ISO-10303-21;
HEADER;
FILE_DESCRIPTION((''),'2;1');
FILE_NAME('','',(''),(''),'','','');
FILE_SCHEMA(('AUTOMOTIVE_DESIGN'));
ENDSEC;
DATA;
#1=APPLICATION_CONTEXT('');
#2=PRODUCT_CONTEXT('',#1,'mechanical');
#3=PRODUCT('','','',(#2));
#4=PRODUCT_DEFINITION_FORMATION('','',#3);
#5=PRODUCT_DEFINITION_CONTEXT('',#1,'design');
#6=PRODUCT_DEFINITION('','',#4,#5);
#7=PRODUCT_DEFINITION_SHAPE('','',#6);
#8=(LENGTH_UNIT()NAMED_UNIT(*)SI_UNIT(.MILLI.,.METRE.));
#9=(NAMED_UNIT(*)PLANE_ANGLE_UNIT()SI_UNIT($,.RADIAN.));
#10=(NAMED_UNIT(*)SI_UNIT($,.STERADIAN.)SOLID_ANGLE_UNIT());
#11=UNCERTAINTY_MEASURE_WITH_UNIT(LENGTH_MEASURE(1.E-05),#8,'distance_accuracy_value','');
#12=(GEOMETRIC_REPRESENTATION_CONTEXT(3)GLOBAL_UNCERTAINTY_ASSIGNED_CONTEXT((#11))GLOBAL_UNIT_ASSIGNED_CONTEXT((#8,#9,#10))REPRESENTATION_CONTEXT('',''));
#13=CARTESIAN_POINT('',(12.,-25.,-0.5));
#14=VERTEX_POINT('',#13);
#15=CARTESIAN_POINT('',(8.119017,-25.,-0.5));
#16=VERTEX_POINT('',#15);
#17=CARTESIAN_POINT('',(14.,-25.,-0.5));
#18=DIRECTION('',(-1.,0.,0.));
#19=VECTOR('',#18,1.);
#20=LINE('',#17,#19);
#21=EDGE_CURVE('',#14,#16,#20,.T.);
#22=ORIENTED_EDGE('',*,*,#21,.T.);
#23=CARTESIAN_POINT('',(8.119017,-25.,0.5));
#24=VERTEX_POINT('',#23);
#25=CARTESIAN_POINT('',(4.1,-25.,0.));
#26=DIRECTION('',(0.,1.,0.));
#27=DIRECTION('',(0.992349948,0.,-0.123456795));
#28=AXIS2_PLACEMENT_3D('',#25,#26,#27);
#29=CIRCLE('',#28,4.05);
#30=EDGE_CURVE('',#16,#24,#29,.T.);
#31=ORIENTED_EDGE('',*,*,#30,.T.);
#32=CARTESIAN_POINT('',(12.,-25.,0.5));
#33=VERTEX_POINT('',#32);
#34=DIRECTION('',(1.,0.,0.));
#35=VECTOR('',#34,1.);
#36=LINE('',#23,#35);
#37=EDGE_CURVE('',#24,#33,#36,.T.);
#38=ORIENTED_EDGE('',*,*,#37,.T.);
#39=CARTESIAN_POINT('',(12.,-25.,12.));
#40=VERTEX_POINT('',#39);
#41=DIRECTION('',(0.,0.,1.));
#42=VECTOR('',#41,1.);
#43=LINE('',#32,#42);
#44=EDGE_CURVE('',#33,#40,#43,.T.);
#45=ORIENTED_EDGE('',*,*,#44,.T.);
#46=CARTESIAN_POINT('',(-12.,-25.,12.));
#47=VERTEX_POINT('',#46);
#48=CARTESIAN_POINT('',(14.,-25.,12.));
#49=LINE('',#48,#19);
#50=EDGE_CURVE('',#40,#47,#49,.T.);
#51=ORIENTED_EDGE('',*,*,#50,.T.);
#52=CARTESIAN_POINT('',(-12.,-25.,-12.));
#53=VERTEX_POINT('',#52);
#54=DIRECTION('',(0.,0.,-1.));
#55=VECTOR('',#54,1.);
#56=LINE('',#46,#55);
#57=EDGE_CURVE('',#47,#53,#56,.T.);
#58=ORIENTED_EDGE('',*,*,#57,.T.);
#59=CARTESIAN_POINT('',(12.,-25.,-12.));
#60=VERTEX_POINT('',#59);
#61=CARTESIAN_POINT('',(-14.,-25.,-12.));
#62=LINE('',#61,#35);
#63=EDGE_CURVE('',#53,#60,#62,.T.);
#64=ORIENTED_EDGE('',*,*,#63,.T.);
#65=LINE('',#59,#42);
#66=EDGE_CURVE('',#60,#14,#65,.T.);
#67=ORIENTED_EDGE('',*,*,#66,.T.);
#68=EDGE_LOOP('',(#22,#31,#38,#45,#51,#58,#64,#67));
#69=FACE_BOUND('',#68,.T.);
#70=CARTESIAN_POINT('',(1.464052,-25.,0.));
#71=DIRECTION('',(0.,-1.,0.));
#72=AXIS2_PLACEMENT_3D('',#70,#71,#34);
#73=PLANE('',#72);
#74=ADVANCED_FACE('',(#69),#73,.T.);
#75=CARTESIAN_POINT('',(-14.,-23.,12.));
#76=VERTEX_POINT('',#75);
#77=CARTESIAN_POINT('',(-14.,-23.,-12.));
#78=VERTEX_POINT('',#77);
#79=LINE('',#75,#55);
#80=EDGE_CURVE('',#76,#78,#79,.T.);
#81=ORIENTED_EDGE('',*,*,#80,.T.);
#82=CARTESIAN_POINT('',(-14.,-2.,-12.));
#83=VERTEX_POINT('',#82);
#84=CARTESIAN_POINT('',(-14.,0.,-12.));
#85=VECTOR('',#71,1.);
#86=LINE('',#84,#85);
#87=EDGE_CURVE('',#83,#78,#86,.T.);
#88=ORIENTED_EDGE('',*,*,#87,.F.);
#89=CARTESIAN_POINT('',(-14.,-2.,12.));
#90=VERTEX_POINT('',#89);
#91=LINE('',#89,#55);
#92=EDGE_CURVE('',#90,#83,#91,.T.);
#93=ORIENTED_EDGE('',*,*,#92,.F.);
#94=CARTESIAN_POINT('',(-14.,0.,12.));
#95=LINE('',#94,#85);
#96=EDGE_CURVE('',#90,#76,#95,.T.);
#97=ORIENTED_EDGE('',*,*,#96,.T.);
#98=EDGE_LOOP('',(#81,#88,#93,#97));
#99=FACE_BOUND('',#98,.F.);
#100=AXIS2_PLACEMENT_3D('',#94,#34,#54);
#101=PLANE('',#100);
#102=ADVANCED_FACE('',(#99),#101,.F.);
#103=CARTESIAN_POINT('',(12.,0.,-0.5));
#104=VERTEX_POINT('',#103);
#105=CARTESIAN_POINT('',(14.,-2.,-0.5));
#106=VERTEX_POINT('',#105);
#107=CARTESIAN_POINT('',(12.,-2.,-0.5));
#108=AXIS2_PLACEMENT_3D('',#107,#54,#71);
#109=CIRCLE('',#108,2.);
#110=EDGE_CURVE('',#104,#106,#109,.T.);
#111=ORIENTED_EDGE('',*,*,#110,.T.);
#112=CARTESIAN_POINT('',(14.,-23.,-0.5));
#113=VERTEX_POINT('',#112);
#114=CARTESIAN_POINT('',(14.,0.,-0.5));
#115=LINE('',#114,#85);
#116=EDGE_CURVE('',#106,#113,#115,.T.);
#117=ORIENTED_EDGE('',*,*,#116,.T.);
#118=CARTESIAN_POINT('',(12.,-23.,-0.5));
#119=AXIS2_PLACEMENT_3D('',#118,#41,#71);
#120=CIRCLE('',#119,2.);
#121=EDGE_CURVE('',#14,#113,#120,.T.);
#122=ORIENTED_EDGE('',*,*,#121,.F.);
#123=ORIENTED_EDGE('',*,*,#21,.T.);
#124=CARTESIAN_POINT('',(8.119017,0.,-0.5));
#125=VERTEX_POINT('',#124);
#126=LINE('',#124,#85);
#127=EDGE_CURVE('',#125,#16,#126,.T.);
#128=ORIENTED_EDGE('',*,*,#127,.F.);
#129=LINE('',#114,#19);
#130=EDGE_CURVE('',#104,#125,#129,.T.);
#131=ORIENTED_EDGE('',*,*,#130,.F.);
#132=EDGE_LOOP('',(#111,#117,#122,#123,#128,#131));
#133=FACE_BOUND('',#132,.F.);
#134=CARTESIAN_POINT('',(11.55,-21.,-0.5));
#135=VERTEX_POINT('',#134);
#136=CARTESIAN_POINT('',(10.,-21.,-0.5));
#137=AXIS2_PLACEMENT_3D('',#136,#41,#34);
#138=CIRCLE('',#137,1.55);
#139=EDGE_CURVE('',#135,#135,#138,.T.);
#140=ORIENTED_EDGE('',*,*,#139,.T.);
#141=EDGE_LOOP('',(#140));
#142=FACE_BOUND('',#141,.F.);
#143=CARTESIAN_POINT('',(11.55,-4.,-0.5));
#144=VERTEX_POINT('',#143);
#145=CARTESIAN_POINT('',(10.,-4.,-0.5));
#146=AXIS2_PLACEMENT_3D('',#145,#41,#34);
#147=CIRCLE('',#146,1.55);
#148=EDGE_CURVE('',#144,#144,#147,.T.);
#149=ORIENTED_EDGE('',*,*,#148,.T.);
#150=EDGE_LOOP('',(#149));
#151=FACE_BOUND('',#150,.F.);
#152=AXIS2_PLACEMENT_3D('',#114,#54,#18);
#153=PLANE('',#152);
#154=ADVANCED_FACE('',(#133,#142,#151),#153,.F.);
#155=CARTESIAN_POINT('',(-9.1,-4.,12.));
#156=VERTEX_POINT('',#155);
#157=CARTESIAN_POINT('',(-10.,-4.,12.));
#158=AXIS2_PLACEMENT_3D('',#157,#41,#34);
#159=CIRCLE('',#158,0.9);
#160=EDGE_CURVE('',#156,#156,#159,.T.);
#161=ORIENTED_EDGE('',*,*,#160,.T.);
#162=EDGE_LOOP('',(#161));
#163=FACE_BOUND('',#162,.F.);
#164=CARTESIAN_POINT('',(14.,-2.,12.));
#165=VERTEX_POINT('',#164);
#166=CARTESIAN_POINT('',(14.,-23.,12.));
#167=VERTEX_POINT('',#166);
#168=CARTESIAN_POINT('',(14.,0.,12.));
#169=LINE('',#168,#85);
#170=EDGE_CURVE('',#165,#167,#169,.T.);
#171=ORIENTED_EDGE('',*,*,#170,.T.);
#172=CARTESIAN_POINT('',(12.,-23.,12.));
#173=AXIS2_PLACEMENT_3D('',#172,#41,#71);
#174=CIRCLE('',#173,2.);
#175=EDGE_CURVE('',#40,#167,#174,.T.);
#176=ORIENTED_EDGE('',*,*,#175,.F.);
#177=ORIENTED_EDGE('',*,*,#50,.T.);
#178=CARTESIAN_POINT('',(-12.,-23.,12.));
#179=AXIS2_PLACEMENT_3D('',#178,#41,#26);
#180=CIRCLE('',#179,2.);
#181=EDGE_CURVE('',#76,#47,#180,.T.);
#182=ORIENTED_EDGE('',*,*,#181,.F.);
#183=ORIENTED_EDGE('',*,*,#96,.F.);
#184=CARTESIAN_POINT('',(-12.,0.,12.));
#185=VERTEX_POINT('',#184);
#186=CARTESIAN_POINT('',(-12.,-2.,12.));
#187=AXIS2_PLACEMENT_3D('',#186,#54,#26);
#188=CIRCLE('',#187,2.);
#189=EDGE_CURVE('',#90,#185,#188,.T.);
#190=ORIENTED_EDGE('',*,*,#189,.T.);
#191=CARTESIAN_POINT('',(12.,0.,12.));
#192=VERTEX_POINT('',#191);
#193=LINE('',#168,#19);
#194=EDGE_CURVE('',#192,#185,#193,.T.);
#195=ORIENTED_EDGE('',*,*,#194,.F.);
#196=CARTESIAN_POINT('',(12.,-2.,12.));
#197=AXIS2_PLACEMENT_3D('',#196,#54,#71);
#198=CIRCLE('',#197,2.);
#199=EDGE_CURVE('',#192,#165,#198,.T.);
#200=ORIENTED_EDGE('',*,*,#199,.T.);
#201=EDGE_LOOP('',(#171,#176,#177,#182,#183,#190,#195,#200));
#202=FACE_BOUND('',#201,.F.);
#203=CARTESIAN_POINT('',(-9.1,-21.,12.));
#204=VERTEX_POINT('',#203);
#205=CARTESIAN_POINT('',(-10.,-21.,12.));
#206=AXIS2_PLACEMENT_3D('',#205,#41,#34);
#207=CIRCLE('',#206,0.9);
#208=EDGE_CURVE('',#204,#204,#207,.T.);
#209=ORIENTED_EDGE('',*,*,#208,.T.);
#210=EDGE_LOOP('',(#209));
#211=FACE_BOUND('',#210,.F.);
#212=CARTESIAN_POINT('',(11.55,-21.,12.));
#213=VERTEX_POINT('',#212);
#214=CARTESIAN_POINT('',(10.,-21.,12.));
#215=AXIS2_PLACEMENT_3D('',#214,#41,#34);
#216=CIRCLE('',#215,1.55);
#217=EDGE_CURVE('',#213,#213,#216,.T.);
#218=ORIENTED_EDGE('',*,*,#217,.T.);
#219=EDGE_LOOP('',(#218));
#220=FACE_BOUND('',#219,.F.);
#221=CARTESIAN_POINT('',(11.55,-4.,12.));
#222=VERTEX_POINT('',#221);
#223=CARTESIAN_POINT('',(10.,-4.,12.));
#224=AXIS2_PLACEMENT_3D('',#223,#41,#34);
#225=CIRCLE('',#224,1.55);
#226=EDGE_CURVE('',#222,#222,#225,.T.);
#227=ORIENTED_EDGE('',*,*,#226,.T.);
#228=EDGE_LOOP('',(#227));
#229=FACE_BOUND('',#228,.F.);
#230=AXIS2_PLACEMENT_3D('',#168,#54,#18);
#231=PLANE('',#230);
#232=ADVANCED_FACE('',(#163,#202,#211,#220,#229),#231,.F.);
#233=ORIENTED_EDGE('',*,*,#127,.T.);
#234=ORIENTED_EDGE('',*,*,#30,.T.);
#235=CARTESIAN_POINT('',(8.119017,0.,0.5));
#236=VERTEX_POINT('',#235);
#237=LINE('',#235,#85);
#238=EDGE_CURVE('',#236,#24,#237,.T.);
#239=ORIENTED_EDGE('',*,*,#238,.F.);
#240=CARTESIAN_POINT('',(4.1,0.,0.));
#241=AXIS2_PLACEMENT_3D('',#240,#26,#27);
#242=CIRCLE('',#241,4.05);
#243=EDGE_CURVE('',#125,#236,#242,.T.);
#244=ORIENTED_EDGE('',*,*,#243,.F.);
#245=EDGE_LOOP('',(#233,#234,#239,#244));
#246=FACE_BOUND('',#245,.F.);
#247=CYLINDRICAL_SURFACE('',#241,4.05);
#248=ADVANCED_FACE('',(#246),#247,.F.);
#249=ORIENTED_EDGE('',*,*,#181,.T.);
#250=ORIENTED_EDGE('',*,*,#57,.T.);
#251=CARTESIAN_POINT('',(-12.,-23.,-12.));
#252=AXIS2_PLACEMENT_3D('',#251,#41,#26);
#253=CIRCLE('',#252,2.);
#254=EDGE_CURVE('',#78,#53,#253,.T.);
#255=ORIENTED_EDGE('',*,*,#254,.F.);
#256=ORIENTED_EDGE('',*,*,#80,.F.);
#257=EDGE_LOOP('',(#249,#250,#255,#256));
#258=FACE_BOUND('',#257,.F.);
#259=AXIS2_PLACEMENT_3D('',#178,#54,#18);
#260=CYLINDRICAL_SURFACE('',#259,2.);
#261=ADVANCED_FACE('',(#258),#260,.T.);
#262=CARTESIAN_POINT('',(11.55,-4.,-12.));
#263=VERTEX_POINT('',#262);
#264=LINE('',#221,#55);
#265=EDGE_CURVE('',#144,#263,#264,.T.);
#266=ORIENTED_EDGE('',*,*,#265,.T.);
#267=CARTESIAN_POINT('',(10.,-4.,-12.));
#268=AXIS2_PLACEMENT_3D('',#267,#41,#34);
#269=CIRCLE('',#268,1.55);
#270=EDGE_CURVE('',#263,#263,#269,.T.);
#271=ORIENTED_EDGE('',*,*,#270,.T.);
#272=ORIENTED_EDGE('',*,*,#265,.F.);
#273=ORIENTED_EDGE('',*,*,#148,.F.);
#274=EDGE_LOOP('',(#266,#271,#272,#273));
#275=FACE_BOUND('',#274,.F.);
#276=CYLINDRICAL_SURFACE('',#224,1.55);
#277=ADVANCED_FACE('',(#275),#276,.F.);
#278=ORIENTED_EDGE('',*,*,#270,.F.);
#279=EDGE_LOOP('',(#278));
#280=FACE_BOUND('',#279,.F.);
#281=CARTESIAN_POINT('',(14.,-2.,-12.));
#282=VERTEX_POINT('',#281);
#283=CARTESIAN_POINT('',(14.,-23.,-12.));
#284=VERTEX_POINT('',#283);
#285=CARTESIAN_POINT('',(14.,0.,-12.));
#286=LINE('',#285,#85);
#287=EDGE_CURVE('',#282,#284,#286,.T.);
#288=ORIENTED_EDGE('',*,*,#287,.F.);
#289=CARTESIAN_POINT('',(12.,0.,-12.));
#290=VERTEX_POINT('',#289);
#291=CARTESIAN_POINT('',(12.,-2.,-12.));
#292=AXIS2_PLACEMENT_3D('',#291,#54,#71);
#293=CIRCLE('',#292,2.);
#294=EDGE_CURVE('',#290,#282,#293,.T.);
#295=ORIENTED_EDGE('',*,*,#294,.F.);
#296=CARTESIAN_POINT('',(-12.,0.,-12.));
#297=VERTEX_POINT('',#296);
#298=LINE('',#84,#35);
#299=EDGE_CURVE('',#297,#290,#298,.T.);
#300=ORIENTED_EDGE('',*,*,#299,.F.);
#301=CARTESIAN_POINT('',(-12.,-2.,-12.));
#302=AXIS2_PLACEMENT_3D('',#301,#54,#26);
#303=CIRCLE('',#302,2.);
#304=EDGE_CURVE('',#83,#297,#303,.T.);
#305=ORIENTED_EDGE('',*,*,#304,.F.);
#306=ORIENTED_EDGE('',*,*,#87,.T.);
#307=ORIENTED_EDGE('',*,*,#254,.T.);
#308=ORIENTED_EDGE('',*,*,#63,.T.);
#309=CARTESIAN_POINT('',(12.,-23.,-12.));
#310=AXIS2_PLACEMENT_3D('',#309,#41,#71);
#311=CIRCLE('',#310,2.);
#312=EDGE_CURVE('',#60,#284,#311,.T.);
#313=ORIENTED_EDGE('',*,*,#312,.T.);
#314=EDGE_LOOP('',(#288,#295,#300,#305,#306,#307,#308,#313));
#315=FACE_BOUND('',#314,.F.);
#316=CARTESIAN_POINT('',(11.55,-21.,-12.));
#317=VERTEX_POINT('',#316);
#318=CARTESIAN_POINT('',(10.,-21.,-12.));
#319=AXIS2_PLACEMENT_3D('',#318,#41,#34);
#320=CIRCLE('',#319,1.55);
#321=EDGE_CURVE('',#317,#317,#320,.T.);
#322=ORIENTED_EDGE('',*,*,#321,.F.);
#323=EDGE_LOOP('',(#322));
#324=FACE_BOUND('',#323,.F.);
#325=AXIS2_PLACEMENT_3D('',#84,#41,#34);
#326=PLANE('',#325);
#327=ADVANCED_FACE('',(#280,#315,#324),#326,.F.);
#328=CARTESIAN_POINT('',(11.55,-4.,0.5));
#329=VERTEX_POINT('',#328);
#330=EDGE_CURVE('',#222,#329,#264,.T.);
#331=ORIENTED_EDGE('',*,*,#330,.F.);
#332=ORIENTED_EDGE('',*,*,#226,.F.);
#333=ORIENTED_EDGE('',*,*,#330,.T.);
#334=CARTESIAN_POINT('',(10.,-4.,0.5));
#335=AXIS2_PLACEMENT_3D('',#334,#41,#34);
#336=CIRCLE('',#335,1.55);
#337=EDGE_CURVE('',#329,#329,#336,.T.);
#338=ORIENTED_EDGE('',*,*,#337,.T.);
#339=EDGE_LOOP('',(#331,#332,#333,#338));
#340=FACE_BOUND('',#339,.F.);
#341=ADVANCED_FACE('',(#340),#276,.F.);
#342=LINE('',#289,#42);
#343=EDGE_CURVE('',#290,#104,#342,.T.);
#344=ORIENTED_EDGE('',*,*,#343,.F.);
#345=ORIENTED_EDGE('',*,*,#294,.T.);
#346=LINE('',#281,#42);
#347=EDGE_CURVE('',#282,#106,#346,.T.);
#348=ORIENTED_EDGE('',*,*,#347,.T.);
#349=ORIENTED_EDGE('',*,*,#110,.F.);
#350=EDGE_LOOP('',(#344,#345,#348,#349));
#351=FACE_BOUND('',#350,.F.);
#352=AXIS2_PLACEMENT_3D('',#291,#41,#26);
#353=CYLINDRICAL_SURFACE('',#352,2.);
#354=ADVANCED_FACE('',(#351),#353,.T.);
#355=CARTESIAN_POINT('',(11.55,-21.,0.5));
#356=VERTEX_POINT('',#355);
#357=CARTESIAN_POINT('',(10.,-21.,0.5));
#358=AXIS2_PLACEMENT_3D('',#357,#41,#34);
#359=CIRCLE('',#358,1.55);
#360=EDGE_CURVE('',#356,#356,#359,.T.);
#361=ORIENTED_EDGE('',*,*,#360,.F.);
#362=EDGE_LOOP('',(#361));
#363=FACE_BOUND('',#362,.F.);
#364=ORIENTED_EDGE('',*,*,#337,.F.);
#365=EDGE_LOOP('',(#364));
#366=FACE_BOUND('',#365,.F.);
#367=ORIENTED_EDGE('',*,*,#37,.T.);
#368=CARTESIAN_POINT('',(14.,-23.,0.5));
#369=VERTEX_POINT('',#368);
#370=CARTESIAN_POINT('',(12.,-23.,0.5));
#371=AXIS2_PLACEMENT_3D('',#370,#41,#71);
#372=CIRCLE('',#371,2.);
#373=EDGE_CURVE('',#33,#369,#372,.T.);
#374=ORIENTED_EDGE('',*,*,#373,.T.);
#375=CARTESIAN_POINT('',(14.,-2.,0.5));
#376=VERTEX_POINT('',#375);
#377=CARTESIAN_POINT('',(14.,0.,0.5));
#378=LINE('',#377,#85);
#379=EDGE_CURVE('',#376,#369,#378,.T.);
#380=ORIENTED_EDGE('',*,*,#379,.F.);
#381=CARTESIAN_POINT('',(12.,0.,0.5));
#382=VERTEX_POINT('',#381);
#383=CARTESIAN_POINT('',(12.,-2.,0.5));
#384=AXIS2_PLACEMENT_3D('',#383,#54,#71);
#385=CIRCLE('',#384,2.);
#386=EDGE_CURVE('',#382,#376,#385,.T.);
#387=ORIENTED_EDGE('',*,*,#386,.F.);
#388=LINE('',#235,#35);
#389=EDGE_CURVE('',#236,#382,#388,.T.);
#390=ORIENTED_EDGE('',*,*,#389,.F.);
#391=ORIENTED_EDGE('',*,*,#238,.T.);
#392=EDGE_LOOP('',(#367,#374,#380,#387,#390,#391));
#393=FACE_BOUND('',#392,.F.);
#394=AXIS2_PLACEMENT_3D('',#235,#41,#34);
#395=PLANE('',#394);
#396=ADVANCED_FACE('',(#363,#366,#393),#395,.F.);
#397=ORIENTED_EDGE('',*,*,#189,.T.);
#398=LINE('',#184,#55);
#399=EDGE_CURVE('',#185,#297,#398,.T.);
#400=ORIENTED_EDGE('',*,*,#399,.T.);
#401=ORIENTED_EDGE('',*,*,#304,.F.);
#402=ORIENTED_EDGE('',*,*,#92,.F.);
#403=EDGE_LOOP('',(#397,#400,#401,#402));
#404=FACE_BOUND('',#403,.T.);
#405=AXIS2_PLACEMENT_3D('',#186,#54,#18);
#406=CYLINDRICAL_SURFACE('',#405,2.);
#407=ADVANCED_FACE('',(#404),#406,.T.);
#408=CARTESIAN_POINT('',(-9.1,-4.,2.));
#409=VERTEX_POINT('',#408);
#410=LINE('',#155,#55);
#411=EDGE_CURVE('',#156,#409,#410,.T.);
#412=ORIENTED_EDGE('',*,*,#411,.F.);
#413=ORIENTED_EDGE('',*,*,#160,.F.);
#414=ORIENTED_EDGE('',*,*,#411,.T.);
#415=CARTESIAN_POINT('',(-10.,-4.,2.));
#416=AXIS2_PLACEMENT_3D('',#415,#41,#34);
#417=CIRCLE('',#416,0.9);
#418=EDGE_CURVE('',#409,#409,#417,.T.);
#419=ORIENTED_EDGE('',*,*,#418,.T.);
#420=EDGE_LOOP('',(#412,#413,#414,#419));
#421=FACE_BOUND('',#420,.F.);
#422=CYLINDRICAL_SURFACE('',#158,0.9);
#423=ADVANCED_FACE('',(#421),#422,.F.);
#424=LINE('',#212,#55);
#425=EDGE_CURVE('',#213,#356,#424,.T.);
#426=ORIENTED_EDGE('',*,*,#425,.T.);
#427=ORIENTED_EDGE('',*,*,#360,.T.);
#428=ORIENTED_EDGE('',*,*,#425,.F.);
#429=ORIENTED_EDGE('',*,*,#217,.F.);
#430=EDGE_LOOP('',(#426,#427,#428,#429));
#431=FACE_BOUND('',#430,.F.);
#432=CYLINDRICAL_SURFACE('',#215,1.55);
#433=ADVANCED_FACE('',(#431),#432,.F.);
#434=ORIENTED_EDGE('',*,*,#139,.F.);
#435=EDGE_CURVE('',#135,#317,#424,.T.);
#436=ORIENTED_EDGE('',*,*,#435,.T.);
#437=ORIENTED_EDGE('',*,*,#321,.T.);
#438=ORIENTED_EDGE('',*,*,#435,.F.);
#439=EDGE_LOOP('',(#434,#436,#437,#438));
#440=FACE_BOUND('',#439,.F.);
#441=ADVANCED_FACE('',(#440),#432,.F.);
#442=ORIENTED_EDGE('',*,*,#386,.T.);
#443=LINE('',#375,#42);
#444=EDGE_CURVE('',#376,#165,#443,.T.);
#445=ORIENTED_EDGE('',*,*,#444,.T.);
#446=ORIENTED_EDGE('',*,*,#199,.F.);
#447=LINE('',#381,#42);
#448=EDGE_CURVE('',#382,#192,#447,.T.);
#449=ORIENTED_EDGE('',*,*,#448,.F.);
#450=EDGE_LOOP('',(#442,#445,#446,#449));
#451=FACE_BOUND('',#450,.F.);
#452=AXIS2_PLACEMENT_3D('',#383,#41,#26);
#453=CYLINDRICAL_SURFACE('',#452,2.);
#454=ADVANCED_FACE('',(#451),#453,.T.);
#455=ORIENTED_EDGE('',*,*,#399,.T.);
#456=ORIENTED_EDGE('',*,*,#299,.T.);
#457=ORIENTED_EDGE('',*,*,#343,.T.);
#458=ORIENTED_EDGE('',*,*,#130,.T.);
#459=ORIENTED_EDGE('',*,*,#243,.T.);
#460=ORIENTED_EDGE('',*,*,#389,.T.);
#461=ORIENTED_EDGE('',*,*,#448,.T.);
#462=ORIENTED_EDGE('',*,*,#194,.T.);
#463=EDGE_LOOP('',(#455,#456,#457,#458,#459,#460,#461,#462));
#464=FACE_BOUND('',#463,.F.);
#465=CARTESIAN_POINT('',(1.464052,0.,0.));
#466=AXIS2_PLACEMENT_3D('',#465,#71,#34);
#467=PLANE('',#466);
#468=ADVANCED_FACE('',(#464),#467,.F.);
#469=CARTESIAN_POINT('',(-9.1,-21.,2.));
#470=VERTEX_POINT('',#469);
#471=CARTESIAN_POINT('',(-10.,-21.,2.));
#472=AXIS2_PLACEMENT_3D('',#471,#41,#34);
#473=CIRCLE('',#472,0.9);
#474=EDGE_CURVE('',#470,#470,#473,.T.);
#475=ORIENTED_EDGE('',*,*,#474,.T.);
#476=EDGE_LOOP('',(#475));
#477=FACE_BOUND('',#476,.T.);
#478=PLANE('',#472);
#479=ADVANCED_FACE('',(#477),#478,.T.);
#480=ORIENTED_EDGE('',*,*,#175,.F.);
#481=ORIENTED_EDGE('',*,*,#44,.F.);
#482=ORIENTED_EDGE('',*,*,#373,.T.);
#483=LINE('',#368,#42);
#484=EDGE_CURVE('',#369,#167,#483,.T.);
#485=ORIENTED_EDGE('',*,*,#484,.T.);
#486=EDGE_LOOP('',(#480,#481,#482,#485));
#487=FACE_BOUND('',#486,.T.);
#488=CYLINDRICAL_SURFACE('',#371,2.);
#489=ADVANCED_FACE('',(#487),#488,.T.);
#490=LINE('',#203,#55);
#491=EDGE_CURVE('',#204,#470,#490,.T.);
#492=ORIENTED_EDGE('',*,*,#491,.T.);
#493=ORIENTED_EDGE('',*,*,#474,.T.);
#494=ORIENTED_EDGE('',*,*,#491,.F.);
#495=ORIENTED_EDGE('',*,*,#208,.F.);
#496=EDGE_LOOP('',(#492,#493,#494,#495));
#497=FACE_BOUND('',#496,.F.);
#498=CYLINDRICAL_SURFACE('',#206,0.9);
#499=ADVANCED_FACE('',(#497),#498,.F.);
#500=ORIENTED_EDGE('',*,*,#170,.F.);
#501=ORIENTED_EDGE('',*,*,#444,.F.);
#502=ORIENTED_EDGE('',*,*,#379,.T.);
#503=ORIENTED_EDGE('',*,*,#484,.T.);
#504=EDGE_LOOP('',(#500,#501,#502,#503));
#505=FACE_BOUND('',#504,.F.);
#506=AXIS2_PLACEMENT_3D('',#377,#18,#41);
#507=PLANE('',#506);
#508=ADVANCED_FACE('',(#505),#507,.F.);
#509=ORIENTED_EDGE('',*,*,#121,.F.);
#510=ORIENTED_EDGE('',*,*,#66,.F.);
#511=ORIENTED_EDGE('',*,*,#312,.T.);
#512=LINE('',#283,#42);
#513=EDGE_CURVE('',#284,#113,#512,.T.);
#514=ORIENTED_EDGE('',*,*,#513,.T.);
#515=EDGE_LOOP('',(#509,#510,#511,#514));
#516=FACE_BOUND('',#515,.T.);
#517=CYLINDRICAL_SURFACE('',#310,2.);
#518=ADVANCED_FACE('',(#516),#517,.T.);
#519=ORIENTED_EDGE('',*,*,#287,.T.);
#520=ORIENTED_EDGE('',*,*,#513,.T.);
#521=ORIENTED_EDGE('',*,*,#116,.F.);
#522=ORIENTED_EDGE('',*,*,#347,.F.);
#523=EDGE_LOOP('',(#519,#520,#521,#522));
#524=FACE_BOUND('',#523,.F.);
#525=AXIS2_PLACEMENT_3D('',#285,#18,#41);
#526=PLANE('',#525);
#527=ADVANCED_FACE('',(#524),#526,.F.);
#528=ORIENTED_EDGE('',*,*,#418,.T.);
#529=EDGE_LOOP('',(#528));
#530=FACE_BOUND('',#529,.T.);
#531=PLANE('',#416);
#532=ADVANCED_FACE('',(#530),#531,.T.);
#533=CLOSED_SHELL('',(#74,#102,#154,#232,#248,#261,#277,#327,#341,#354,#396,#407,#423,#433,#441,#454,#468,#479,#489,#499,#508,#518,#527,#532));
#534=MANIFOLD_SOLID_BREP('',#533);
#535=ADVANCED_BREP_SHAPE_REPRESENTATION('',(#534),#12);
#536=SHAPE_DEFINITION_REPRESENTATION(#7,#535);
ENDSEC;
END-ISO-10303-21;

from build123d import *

# Parameters (mm, degrees)
F1_DEPTH = 25
F2_R     = 0.9
F3_DEPTH = 10
F2_R_2   = 1.55
F4_DEPTH = 24.001
F5_R     = 2


with BuildPart() as f1:
    # F0 (on Front) → F1 (new body)
    with BuildSketch(Plane.XZ):
        with BuildLine():
            Line((-14, -12), (14, -12))
            Line((14, -12), (14, -0.5))
            Line((14, -0.5), (8.119017, -0.5))
            ThreePointArc((8.119017, -0.5), (0.05, 0), (8.119017, 0.5))
            Line((8.119017, 0.5), (14, 0.5))
            Line((14, 0.5), (14, 12))
            Line((14, 12), (-14, 12))
            Line((-14, 12), (-14, -12))
        make_face()
    extrude(amount=F1_DEPTH)

    # F2 (on face) → F3 (cut)
    with BuildSketch(Plane.XY.offset(12)):
        with Locations((-10, -4)):
            Circle(F2_R)
        with Locations((-10, -21)):
            Circle(F2_R)
    extrude(amount=-F3_DEPTH, mode=Mode.SUBTRACT)

    # F2 (on face) → F4 (cut, through all)
    with BuildSketch(Plane.XY.offset(12)):
        with Locations((10, -21)):
            Circle(F2_R_2)
        with Locations((10, -4)):
            Circle(F2_R_2)
    extrude(amount=-F4_DEPTH, mode=Mode.SUBTRACT)

    # F5
    f5_edges = [f1.edges().sort_by_distance(p)[0] for p in [
        (-14, 0, 0),
        (14, -25, -6.25),
        (14, -25, 6.25),
        (14, 0, 6.25),
        (14, 0, -6.25),
        (-14, -25, 0),
    ]]
    fillet(f5_edges, radius=F5_R)


solid = f1.part
